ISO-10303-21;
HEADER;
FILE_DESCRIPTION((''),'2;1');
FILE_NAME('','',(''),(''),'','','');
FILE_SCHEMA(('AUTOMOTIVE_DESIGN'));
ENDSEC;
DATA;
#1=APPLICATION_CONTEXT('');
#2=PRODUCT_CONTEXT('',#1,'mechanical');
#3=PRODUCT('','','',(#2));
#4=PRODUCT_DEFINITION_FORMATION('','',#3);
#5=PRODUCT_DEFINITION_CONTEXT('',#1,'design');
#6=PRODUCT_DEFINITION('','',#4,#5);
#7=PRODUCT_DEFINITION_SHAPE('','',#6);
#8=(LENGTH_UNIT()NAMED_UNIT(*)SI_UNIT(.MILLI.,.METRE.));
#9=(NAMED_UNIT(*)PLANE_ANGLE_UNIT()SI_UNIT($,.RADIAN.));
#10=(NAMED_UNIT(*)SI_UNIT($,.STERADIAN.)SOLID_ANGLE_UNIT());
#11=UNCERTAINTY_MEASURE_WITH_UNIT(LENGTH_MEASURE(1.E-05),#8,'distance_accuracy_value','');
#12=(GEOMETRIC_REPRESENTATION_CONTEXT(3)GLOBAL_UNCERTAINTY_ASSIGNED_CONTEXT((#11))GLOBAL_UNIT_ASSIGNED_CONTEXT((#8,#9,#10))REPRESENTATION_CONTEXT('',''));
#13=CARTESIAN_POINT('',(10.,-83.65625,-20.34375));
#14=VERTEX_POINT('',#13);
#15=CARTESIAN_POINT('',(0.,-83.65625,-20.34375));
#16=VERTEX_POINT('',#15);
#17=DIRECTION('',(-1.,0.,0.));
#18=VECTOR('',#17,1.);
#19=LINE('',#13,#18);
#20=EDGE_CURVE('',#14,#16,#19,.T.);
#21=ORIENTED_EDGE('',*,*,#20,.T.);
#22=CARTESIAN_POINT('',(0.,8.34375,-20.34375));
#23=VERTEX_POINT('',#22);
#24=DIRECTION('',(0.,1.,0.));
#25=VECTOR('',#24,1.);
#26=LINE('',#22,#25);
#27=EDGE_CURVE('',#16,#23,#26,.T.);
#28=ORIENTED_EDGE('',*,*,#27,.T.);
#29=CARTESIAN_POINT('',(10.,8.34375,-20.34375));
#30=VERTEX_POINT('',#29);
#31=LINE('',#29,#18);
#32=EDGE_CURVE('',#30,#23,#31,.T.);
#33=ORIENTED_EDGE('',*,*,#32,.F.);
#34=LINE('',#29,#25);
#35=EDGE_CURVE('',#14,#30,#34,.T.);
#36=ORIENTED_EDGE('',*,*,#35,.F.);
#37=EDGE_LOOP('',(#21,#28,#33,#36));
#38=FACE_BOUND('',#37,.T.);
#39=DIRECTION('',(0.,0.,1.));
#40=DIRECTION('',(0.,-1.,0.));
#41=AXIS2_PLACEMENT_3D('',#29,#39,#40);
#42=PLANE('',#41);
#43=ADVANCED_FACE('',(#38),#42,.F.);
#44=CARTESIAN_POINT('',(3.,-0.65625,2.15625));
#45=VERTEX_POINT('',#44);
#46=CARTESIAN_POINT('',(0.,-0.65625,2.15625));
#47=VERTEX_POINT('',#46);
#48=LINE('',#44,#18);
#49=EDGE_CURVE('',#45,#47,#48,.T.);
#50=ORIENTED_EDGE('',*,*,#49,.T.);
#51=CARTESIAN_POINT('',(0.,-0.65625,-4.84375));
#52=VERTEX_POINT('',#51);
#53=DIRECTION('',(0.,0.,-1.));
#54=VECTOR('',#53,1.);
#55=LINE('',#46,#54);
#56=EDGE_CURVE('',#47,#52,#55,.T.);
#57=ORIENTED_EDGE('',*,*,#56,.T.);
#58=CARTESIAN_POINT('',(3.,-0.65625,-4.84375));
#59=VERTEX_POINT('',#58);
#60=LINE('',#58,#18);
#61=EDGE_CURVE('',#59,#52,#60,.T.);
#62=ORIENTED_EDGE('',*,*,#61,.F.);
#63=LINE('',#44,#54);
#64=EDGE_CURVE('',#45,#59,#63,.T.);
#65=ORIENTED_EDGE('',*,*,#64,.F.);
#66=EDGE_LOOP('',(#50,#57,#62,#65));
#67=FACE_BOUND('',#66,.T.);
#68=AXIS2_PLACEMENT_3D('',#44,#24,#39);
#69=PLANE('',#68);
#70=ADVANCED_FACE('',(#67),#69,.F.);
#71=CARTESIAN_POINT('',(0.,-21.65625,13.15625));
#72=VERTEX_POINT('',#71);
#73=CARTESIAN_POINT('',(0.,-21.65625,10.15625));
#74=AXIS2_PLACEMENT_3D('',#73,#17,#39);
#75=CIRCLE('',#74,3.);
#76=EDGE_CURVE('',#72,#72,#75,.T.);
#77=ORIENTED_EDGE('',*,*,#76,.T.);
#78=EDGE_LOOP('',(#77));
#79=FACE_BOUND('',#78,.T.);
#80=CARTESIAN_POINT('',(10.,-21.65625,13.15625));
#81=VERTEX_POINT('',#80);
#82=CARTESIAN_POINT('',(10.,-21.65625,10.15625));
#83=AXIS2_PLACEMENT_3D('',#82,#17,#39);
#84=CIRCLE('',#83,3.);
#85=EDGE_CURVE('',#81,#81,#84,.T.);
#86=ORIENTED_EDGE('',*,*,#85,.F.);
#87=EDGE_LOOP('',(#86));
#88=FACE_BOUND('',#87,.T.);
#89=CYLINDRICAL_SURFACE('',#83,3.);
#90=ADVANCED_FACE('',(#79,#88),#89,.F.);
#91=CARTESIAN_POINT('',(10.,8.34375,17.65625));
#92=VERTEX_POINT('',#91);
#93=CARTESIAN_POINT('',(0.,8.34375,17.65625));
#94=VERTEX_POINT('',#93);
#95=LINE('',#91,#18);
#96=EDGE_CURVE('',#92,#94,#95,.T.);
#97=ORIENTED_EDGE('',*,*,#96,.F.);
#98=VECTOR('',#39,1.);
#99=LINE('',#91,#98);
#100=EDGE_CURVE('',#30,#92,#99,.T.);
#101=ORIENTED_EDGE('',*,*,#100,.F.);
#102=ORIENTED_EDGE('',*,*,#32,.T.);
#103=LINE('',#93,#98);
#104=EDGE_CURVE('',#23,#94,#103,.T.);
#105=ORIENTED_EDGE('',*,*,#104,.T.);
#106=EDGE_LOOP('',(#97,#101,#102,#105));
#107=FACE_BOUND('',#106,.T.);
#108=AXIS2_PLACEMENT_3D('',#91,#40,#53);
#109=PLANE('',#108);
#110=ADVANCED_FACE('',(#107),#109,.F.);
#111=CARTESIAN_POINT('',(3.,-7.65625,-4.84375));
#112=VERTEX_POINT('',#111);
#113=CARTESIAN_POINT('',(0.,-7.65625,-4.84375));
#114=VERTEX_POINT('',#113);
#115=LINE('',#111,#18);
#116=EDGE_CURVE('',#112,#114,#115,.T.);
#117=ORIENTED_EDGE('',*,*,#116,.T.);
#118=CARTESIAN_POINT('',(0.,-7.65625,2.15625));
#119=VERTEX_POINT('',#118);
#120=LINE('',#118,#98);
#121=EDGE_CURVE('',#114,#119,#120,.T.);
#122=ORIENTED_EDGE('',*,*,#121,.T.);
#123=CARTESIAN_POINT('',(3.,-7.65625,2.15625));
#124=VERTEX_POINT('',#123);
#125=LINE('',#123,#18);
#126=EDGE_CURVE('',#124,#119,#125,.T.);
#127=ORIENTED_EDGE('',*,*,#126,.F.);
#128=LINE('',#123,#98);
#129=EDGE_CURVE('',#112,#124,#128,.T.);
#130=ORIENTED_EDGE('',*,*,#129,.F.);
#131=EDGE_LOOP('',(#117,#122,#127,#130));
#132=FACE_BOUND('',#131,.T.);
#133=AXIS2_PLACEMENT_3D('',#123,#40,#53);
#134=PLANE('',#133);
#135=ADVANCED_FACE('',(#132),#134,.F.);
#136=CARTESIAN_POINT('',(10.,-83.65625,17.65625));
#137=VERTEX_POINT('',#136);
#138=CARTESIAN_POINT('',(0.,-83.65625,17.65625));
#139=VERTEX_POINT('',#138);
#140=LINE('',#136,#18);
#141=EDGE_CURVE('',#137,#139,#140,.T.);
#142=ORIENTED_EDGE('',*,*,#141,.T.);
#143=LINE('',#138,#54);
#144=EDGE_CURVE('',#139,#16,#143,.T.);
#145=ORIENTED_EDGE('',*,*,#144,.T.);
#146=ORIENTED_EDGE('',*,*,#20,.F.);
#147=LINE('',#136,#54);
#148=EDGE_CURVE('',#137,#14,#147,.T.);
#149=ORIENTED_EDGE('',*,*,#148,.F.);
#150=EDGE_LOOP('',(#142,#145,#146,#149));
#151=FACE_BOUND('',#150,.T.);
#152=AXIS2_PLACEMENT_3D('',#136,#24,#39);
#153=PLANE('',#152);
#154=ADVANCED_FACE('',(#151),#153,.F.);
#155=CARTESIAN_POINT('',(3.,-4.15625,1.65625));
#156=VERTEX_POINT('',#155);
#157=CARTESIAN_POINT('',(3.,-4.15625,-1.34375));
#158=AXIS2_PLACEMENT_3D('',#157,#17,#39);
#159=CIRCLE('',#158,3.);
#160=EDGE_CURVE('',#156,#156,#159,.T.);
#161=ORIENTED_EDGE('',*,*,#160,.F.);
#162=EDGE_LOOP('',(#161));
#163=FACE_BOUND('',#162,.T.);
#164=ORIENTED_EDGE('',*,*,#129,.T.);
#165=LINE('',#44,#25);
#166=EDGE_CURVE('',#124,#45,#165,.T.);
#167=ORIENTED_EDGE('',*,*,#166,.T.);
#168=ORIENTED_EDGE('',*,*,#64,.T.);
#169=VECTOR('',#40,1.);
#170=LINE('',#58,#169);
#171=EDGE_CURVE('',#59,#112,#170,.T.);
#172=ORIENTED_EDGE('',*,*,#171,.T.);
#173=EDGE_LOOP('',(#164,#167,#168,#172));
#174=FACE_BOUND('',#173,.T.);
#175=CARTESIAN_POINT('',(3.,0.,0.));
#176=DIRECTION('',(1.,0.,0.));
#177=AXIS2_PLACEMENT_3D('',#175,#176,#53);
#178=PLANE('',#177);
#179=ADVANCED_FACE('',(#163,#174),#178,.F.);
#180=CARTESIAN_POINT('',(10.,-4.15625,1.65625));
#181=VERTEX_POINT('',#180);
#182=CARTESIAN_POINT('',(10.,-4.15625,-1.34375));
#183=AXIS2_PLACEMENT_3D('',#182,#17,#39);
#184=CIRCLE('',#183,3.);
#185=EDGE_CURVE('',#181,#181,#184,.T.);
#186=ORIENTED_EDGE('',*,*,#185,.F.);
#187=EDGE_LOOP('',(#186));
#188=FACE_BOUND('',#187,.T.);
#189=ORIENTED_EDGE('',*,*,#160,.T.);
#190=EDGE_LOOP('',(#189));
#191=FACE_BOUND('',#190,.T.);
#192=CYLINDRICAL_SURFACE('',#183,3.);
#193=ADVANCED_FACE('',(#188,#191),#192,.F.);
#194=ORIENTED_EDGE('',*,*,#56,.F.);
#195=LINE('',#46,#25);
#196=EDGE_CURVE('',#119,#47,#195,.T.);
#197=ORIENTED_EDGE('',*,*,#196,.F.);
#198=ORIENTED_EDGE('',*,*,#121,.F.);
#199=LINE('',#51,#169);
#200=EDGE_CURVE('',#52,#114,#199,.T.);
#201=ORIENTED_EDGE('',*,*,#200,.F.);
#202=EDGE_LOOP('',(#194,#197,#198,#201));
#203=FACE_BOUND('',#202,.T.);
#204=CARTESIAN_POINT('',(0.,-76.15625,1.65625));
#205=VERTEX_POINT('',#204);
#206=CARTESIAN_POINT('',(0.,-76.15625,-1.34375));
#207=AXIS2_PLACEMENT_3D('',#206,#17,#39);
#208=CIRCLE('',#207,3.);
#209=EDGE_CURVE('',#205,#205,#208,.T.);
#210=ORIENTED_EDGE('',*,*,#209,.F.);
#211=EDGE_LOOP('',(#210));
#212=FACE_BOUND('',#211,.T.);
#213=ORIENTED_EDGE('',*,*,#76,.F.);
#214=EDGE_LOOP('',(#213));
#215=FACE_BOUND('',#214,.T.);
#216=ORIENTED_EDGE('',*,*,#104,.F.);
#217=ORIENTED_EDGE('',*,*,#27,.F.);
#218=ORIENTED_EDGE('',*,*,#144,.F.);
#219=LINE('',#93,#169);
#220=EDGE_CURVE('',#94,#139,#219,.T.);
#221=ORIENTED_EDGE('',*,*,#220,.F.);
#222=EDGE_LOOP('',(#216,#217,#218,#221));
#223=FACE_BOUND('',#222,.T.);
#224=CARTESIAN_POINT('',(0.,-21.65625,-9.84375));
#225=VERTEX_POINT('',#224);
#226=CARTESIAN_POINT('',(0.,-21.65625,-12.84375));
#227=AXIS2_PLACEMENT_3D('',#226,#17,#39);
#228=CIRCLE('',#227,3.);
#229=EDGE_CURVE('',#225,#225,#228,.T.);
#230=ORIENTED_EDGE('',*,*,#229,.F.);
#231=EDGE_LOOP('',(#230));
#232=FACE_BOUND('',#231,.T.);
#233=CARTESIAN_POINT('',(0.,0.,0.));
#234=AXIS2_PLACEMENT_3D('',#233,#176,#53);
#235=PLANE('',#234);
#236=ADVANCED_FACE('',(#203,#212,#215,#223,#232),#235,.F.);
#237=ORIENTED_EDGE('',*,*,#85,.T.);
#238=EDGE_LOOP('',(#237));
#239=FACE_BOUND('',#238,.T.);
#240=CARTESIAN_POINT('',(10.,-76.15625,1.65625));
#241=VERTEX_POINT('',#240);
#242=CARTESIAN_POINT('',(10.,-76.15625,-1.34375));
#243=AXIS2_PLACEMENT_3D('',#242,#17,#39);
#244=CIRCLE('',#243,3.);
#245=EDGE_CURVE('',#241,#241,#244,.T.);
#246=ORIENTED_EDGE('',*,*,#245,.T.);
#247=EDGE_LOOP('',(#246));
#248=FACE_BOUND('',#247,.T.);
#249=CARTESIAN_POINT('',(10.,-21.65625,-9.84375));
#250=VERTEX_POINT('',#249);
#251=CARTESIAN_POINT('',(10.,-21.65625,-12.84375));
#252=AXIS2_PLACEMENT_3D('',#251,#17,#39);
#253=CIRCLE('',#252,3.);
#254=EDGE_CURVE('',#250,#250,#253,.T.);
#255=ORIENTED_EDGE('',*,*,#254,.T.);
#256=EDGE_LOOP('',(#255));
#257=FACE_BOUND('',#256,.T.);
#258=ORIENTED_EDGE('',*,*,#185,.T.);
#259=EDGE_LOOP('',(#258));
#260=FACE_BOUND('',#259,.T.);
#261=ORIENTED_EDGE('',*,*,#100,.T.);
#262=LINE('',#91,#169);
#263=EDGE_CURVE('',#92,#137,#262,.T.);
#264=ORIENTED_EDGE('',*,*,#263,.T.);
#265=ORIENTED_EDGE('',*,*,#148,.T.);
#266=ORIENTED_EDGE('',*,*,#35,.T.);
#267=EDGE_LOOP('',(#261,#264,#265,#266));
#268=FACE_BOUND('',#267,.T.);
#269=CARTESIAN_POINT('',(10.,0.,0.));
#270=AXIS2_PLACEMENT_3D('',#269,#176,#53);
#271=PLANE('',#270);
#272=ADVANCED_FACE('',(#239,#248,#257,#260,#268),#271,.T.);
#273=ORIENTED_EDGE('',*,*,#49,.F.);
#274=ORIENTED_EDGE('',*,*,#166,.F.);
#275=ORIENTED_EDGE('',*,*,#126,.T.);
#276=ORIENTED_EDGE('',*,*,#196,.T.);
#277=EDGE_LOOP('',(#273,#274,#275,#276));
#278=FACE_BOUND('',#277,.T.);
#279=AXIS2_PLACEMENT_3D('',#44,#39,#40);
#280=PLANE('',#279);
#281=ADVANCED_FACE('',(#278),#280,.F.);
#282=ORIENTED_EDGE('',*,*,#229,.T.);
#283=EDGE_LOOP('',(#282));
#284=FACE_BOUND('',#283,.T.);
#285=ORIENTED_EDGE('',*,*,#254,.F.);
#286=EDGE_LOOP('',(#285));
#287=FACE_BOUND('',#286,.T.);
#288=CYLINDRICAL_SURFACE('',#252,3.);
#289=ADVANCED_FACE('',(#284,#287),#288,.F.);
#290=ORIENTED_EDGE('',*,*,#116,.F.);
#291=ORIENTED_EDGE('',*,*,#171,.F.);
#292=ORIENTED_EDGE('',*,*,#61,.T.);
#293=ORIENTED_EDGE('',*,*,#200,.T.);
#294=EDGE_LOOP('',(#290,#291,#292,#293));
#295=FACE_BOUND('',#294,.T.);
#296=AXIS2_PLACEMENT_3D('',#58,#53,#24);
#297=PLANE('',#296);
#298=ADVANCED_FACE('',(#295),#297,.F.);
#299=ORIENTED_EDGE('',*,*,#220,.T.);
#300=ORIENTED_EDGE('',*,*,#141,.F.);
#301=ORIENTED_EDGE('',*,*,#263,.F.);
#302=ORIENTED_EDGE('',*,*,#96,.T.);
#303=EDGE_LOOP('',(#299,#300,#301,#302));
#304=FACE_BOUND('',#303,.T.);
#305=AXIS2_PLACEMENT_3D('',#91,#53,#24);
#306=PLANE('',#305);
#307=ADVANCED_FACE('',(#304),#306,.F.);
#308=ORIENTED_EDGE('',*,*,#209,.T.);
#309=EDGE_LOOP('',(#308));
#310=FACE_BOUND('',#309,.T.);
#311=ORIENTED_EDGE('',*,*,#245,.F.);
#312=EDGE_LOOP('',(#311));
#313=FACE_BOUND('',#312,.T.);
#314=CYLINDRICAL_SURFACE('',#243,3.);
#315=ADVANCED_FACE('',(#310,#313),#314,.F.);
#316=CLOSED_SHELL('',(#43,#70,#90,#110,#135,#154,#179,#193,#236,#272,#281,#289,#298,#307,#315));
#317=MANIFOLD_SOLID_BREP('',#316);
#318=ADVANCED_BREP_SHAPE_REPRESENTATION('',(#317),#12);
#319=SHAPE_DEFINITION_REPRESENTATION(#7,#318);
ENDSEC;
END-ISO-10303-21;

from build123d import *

# Parameters (mm, degrees)
SKETCH1_W           = 38
SKETCH1_H           = 92
BOSS_EXTRUDE1_DEPTH = 10
SKETCH4_W           = 7
SKETCH4_H           = 7
CUT_EXTRUDE3_DEPTH  = 3
SKETCH7_R           = 3
CUT_EXTRUDE4_DEPTH  = 8
SKETCH8_R           = 3
CUT_EXTRUDE5_DEPTH  = 11
SKETCH9_R           = 3
CUT_EXTRUDE6_DEPTH  = 11


with BuildPart() as part:
    # Sketch1 → Boss-Extrude1 (new body)
    with BuildSketch(Plane(origin=(0, 0, 0), x_dir=(0, 0, -1), z_dir=(1, 0, 0))):
        with Locations((1.34375, -37.65625)):
            Rectangle(SKETCH1_W, SKETCH1_H)
    extrude(amount=BOSS_EXTRUDE1_DEPTH)

    # Sketch4 → Cut-Extrude3 (cut)
    with BuildSketch(Plane.ZY):
        with Locations((-1.34375, -4.15625)):
            Rectangle(SKETCH4_W, SKETCH4_H)
    extrude(amount=-CUT_EXTRUDE3_DEPTH, mode=Mode.SUBTRACT)

    # Sketch7 → Cut-Extrude4 (cut, through all)
    with BuildSketch(Plane.ZY.offset(-3)):
        with Locations((-1.34375, -4.15625)):
            Circle(SKETCH7_R)
    extrude(amount=-CUT_EXTRUDE4_DEPTH, mode=Mode.SUBTRACT)

    # Sketch8 → Cut-Extrude5 (cut, through all)
    with BuildSketch(Plane.ZY):
        with Locations((-1.34375, -76.15625)):
            Circle(SKETCH8_R)
    extrude(amount=-CUT_EXTRUDE5_DEPTH, mode=Mode.SUBTRACT)

    # Sketch9 → Cut-Extrude6 (cut, through all)
    with BuildSketch(Plane.ZY):
        with Locations((10.15625, -21.65625)):
            Circle(SKETCH9_R)
        with Locations((-12.84375, -21.65625)):
            Circle(SKETCH9_R)
    extrude(amount=-CUT_EXTRUDE6_DEPTH, mode=Mode.SUBTRACT)


solid = part.part
